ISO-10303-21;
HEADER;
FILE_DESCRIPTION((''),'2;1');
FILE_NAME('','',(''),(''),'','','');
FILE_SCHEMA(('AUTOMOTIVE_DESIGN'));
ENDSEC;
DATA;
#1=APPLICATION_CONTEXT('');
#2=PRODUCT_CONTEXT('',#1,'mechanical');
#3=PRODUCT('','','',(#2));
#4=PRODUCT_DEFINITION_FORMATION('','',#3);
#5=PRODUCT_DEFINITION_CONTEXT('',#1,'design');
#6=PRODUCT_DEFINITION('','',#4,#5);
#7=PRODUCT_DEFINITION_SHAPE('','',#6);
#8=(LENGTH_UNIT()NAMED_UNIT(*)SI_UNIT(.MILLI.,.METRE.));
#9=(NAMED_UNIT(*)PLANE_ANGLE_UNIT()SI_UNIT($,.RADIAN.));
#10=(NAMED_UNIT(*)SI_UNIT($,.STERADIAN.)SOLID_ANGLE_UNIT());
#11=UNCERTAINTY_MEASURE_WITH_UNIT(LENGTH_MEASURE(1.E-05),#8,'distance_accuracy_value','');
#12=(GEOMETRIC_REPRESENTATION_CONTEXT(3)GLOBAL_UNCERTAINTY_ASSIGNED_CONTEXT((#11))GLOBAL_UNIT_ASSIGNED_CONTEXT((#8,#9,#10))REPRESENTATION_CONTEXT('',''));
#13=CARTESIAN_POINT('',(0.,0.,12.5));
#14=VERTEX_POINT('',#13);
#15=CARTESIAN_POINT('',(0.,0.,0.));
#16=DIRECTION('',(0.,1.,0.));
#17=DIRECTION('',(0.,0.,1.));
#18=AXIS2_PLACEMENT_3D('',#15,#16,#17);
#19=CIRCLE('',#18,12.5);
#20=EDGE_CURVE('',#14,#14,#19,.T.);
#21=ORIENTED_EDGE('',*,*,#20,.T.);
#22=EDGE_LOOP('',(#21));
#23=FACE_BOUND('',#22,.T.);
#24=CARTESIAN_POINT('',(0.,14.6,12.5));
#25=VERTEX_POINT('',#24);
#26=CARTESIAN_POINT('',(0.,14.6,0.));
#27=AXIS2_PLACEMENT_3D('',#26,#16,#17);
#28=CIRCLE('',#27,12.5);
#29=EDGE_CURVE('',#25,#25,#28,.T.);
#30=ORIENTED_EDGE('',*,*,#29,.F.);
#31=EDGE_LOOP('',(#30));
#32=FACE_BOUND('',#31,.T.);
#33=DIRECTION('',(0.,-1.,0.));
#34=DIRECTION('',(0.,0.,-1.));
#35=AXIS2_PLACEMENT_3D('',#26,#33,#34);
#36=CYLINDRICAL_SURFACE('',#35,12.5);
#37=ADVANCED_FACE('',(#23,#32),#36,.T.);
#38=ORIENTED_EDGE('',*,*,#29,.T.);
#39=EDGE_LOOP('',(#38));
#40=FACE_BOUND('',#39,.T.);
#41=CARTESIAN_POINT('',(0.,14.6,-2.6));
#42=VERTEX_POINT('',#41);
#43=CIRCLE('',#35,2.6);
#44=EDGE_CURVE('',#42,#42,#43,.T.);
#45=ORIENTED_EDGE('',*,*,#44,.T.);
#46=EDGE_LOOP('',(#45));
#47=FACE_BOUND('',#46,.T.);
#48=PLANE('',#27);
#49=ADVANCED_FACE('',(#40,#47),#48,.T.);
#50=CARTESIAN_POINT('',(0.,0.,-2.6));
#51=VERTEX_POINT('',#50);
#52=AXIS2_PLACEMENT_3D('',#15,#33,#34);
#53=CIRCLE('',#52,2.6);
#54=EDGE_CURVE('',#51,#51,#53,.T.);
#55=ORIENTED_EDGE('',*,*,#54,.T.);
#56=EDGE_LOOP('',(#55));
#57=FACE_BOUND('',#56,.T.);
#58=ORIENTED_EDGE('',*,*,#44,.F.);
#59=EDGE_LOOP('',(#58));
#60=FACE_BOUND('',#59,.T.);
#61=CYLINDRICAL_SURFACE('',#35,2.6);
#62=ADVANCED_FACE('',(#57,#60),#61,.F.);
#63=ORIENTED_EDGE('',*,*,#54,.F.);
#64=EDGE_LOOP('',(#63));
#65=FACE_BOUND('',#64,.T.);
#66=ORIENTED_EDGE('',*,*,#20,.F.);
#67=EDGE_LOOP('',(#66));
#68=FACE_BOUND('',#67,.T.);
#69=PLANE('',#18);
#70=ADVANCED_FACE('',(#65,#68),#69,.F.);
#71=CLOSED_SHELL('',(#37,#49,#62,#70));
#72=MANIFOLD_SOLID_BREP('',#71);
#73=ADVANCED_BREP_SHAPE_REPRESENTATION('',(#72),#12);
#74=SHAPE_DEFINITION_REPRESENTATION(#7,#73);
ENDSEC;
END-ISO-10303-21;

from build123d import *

# Parameters (mm, degrees)
SKETCH_1_R          = 12.5
EXTRUDE_1_DEPTH     = 14.6
SKETCH_3_R          = 2.6
CUT_EXTRUDE_1_DEPTH = 23.927276332


with BuildPart() as part:
    # 草图1 → 凸台-拉伸1 (new body)
    with BuildSketch(Plane(origin=(0, 0, 0), x_dir=(1, 0, 0), z_dir=(0, 1, 0))):
        with Locations(Location((0, 0, 0), (0, 0, 270))):
            Circle(SKETCH_1_R)
    extrude(amount=EXTRUDE_1_DEPTH)

    # 草图3 → 切除-拉伸1 (cut, through all)
    with BuildSketch(Plane.XZ):
        with Locations(Location((0, 0, 0), (0, 0, 270))):
            Circle(SKETCH_3_R)
    extrude(amount=-CUT_EXTRUDE_1_DEPTH, mode=Mode.SUBTRACT)


solid = part.part
